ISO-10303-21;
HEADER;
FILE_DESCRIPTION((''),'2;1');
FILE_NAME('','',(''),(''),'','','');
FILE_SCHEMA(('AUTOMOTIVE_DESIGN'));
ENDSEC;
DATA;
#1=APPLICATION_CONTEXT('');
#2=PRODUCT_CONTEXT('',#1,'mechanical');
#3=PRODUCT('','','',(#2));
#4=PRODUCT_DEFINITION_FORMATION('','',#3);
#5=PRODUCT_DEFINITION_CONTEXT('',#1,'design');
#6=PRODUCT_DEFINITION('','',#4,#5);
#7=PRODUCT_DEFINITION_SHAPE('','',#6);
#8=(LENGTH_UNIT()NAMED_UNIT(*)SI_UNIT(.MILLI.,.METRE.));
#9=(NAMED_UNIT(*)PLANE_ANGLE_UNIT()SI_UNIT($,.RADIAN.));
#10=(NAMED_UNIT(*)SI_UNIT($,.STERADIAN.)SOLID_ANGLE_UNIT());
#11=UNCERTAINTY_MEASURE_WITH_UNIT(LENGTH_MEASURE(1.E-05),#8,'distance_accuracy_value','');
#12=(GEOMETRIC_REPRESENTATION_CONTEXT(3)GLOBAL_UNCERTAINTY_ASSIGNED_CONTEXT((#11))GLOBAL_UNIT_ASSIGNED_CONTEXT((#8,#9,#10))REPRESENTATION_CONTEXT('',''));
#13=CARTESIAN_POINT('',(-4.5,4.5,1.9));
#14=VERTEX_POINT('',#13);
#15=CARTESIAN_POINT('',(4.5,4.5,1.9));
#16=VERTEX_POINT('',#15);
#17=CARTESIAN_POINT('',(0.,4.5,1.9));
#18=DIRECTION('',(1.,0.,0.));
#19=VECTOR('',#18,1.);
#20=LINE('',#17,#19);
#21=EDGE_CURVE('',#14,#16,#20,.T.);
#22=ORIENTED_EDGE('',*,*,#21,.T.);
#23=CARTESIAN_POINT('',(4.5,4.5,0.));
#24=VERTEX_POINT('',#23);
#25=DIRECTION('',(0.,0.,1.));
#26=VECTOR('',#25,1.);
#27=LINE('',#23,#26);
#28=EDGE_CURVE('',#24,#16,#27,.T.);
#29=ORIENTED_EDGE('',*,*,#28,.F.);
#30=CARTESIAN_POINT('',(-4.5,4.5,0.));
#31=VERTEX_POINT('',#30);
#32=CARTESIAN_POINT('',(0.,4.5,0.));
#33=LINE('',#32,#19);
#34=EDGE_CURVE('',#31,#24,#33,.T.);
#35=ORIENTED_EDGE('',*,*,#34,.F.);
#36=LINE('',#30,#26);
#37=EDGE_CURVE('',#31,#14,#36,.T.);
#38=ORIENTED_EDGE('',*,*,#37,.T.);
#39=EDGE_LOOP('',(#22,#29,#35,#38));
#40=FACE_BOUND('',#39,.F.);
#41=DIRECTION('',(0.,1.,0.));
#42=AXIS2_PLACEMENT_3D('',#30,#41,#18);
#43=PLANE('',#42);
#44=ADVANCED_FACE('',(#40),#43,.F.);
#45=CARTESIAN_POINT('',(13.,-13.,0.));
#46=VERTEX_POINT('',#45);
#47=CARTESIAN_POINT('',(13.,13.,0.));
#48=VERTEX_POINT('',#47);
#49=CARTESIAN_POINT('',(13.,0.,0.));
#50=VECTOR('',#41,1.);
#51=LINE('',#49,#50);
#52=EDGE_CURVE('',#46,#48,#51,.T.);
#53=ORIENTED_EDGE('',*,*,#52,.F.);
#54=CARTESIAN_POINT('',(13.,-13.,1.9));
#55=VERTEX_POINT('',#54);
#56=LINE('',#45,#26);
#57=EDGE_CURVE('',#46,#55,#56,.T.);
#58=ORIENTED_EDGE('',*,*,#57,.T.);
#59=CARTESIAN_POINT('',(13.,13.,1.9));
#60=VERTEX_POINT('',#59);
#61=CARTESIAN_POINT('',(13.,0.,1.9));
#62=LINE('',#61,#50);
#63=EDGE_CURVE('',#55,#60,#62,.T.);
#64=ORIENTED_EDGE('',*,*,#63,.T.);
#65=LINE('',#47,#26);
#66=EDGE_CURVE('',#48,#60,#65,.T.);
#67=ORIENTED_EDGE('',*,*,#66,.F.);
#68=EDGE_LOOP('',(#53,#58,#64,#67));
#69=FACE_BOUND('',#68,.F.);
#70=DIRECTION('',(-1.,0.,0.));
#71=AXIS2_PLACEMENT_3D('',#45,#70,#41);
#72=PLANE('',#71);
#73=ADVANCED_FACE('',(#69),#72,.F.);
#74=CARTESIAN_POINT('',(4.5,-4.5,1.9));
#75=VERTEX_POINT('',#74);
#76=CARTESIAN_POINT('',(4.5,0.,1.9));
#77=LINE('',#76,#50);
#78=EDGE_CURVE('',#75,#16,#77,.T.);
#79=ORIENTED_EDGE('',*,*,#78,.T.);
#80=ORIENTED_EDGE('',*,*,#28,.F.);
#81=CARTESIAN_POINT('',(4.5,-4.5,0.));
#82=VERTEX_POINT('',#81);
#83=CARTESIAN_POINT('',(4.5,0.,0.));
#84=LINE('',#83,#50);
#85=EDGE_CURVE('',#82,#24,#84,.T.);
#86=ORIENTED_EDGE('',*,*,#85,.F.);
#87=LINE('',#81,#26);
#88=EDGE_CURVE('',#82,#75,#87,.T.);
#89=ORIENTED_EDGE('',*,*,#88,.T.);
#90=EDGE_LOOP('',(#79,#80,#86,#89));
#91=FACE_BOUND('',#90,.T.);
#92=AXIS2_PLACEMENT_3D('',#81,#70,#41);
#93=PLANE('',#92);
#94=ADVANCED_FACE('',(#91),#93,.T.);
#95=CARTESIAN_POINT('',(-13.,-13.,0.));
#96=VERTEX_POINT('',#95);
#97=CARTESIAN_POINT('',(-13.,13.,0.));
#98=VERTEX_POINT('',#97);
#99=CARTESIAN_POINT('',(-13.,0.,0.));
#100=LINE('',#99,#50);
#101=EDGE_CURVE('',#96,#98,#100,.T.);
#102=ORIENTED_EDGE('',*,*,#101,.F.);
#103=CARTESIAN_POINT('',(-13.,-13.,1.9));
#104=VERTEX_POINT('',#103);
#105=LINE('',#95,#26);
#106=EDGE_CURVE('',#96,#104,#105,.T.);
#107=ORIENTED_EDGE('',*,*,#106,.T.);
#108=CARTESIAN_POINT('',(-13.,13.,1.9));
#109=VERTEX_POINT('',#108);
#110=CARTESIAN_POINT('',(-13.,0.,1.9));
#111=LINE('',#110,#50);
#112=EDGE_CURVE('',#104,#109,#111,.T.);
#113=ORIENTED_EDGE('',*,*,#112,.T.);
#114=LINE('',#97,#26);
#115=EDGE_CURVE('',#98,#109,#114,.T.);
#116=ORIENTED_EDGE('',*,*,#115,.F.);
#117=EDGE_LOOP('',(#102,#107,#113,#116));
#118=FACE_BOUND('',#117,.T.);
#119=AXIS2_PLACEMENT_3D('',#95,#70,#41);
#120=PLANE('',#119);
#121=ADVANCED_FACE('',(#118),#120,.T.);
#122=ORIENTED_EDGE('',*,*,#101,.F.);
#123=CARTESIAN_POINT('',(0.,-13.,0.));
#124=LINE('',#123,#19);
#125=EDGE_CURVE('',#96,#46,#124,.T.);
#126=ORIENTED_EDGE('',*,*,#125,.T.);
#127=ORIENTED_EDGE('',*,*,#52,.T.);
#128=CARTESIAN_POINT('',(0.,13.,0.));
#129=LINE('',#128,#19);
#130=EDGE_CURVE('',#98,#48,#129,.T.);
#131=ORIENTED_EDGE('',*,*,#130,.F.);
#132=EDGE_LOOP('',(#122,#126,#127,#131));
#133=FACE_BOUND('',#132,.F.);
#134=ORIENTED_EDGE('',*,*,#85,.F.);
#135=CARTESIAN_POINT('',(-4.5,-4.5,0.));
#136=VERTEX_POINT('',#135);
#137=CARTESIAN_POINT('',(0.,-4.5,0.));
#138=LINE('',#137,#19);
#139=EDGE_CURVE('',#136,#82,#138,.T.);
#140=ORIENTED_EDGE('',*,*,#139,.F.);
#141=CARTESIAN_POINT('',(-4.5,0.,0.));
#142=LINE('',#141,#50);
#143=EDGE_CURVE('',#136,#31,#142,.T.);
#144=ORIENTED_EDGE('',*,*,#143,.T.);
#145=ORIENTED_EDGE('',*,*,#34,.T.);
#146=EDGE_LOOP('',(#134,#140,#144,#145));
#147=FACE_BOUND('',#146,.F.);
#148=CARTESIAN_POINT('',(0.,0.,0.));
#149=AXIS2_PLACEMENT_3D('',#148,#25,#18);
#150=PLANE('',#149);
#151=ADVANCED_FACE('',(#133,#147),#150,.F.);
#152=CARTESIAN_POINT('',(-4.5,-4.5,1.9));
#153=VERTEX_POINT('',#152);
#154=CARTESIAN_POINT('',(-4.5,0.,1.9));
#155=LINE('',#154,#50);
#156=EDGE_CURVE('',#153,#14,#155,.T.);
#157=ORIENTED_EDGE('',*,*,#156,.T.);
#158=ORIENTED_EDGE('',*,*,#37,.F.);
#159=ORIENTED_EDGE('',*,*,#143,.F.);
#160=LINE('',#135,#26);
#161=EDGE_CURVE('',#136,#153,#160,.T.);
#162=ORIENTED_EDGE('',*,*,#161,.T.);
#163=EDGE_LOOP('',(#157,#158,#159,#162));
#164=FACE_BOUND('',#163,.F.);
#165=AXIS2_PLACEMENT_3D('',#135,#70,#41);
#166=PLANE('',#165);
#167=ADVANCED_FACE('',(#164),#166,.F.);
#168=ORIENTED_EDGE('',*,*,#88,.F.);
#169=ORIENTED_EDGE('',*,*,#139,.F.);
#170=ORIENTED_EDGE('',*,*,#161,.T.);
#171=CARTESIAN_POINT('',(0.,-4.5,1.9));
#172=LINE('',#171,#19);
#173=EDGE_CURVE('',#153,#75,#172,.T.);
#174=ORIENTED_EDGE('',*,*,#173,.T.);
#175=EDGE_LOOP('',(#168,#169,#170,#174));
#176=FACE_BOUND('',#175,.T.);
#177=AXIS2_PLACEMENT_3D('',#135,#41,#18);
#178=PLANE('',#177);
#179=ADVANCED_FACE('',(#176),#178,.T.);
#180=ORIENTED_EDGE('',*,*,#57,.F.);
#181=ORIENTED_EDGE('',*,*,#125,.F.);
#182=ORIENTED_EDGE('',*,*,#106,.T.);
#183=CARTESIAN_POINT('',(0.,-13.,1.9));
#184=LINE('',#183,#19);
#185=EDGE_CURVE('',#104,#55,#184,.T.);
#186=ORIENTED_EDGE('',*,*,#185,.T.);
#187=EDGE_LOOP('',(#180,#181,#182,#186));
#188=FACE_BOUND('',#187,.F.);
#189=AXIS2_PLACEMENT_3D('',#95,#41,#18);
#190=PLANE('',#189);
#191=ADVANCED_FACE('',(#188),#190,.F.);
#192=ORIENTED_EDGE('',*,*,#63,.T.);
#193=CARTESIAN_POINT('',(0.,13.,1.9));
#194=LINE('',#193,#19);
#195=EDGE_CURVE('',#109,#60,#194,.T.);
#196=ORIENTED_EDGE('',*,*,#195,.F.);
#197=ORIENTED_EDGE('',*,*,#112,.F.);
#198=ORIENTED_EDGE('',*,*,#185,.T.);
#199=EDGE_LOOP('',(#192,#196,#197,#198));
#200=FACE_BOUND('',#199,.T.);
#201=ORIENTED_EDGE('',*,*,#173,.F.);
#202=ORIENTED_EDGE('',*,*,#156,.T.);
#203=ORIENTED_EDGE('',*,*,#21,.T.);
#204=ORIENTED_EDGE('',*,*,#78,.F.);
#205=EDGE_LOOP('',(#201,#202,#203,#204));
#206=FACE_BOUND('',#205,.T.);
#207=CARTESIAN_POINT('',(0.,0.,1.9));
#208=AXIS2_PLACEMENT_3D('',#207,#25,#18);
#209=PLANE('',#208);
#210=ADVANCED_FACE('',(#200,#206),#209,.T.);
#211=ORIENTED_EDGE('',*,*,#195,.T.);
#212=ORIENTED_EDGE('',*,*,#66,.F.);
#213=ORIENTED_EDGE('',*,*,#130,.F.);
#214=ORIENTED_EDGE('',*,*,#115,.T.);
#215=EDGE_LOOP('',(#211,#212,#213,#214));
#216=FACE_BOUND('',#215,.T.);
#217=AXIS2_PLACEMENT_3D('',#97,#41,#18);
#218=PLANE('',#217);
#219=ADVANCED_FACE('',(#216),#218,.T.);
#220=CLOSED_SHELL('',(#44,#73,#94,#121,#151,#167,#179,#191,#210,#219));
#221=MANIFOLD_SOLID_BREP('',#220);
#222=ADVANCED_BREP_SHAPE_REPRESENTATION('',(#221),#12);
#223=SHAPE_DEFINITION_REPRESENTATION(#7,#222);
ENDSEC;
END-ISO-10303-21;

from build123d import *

# Parameters (mm, degrees)
SKETCH_W   = 26
SKETCH_H   = 26
SKETCH_W_2 = 9
SKETCH_H_2 = 9
PAD_DEPTH  = 1.9


with BuildPart() as part:
    # Sketch → Pad (new body)
    with BuildSketch(Plane.XY):
        Rectangle(SKETCH_W, SKETCH_H)
        Rectangle(SKETCH_W_2, SKETCH_H_2, mode=Mode.SUBTRACT)
    extrude(amount=PAD_DEPTH)


solid = part.part
